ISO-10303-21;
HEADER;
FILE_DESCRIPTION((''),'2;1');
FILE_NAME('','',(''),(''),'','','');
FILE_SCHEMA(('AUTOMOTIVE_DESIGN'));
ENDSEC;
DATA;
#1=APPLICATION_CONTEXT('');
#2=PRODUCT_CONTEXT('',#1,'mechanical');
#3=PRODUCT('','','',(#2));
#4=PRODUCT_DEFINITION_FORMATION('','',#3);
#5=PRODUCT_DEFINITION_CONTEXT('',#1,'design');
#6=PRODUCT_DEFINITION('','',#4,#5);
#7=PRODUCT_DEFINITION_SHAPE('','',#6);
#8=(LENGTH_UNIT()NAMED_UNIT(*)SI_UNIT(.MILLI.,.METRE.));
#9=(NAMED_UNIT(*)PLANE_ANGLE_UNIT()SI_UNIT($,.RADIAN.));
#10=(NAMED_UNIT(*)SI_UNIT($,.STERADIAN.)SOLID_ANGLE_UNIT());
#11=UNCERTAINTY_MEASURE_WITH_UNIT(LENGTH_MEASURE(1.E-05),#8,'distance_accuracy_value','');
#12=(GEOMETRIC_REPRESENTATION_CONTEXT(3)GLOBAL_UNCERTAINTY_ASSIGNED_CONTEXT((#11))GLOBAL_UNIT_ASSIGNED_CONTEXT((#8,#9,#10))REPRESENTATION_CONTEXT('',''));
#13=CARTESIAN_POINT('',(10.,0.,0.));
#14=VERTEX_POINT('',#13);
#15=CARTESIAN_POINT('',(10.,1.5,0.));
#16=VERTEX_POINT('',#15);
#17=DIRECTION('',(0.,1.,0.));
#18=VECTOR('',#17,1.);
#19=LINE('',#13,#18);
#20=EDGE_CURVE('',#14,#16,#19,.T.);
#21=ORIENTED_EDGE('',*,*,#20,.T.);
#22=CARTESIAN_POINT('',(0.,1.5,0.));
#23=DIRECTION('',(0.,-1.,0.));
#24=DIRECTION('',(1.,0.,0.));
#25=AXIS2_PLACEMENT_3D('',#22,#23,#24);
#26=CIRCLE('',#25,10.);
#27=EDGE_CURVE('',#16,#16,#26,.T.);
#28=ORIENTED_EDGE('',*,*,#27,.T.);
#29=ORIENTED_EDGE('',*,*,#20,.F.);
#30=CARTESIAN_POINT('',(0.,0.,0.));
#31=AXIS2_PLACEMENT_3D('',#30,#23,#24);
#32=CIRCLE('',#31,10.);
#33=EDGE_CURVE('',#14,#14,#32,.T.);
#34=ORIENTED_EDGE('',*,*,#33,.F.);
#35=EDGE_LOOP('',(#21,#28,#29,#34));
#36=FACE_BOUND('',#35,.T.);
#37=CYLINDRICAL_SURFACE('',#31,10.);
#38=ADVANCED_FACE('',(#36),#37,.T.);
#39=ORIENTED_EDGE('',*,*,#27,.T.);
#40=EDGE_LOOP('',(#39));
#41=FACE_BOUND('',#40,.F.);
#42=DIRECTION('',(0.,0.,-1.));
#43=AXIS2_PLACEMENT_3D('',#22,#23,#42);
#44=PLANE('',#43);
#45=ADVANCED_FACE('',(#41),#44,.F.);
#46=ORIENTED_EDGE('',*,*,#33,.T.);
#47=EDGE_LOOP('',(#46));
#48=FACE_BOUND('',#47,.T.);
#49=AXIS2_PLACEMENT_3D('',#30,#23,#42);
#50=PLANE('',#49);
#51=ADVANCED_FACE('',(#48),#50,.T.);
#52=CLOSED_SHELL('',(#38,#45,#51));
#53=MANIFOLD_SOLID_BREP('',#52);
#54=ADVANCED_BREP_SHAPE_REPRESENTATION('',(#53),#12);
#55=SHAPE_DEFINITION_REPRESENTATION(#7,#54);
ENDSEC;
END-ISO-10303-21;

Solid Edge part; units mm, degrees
sketch "Sketch1" plane through (0, 0, 0) normal (0, -1, 0) x (1, 0, 0)
  circle A0 centre (0, 0) radius 10
extrude "Protrusion1" add sketch "Sketch1" against normal blind 1.5
